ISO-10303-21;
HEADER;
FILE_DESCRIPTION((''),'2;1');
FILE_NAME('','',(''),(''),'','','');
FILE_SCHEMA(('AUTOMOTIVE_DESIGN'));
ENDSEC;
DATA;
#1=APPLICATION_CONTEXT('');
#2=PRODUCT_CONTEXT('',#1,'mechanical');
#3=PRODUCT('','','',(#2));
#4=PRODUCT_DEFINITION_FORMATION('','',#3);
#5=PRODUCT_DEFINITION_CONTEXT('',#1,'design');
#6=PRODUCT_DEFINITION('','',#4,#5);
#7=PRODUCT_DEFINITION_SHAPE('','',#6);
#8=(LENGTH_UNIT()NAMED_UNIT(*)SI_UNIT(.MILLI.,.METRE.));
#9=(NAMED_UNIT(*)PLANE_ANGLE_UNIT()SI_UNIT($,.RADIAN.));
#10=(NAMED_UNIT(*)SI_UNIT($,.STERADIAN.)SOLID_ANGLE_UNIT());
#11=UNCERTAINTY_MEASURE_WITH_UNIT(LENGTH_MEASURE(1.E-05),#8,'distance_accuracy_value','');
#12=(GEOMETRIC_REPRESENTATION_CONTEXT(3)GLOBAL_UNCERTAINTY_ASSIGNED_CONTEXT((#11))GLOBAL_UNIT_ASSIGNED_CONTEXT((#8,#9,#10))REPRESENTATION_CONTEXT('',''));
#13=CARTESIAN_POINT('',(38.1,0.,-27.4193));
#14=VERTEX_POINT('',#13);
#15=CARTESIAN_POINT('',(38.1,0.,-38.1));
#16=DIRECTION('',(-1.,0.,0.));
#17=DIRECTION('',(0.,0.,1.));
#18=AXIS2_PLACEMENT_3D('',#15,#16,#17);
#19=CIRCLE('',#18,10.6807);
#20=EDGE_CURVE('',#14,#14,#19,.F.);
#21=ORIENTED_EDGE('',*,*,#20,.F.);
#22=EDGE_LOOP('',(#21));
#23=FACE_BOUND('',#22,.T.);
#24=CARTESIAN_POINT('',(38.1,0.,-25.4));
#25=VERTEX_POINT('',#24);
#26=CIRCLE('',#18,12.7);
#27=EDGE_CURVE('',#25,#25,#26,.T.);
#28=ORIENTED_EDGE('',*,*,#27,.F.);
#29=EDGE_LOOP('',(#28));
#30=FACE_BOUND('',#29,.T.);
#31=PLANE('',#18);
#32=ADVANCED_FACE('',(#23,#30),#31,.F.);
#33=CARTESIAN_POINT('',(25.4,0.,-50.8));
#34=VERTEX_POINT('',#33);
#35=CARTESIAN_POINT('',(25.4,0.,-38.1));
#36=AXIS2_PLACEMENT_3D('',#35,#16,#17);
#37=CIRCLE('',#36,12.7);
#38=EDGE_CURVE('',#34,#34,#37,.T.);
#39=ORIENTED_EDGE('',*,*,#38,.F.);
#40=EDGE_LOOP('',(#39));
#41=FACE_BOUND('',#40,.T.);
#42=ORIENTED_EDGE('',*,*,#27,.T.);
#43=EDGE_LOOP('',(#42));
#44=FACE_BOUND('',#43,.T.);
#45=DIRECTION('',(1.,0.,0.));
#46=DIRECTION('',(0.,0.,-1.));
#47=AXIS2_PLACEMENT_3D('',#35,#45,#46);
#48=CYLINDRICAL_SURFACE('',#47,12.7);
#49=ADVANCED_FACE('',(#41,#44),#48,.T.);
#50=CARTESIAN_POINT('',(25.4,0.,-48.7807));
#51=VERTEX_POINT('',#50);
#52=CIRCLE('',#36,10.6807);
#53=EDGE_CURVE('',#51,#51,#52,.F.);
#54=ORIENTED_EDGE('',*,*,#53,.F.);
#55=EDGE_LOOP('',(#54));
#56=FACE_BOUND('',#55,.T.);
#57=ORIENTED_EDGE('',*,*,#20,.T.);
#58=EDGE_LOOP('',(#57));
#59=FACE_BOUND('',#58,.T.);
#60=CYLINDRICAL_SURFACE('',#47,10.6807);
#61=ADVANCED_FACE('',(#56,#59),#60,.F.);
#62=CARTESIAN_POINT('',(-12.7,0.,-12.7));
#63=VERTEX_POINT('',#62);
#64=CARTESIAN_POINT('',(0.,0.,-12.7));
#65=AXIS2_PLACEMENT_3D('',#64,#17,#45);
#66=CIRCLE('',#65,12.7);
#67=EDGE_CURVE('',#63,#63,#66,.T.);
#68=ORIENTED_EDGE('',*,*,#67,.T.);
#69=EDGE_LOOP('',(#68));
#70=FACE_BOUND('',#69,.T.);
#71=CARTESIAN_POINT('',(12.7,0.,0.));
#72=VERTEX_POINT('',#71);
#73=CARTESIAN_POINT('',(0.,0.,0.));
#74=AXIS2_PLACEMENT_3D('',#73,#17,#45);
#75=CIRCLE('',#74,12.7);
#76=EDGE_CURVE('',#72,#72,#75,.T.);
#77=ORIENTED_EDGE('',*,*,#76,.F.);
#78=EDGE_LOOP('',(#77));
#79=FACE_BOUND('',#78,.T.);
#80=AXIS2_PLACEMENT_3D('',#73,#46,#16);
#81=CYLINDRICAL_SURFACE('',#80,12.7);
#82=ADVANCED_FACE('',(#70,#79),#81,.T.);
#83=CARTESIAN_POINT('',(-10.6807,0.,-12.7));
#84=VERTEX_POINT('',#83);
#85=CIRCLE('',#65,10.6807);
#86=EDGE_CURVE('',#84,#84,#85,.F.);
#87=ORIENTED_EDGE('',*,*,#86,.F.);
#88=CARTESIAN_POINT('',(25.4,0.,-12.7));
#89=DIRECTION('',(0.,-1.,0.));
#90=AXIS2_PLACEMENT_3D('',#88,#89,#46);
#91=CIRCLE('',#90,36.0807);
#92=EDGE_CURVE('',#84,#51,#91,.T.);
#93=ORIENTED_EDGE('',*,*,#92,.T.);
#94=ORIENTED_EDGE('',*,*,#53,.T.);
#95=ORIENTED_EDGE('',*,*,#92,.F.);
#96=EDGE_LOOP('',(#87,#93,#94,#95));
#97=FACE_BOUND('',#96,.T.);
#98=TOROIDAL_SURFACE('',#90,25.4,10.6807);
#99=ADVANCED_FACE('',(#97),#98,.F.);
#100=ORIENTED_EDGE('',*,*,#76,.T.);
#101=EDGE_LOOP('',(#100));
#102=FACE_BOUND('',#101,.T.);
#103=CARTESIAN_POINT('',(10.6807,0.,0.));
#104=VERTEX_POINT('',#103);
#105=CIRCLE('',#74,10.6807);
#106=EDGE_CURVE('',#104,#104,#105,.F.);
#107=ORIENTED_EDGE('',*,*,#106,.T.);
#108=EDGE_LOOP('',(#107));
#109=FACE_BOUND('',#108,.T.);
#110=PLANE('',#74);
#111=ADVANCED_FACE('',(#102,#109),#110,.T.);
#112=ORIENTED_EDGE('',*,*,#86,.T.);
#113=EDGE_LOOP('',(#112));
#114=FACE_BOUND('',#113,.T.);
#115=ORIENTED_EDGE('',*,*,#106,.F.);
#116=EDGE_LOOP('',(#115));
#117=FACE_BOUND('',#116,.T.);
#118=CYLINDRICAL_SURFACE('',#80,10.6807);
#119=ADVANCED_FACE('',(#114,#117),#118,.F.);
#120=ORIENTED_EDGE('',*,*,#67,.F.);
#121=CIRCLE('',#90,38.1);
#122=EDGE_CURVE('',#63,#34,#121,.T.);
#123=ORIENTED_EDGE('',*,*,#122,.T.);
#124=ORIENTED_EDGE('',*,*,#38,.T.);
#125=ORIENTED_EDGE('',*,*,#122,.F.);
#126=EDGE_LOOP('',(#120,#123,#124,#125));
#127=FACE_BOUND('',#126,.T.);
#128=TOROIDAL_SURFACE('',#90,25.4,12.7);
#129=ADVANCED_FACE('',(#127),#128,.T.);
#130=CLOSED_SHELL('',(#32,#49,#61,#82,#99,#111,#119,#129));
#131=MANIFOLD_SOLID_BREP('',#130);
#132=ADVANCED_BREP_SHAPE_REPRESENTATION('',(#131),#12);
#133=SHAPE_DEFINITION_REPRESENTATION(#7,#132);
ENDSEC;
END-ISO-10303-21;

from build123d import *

# Parameters (mm, degrees)
SKETCH1_R   = 12.7
SKETCH1_R_2 = 10.6807


with BuildPart() as part:
    # Sweep7: sweep along a path in Sketch15
    with BuildLine(Plane(origin=(0, 0, 0), x_dir=(1, 0, 0), z_dir=(0, 1, 0))) as sweep7_path:
        Line((0, 0), (0, 12.7))
        ThreePointArc((0, 12.7), (7.439487758, 30.660512242), (25.4, 38.1))
        Line((25.4, 38.1), (38.1, 38.1))
    # Sketch1 → Sweep7 (sweep)
    with BuildSketch(Plane.XY):
        Circle(SKETCH1_R)
        Circle(SKETCH1_R_2, mode=Mode.SUBTRACT)
    sweep(path=sweep7_path.line)


solid = part.part
